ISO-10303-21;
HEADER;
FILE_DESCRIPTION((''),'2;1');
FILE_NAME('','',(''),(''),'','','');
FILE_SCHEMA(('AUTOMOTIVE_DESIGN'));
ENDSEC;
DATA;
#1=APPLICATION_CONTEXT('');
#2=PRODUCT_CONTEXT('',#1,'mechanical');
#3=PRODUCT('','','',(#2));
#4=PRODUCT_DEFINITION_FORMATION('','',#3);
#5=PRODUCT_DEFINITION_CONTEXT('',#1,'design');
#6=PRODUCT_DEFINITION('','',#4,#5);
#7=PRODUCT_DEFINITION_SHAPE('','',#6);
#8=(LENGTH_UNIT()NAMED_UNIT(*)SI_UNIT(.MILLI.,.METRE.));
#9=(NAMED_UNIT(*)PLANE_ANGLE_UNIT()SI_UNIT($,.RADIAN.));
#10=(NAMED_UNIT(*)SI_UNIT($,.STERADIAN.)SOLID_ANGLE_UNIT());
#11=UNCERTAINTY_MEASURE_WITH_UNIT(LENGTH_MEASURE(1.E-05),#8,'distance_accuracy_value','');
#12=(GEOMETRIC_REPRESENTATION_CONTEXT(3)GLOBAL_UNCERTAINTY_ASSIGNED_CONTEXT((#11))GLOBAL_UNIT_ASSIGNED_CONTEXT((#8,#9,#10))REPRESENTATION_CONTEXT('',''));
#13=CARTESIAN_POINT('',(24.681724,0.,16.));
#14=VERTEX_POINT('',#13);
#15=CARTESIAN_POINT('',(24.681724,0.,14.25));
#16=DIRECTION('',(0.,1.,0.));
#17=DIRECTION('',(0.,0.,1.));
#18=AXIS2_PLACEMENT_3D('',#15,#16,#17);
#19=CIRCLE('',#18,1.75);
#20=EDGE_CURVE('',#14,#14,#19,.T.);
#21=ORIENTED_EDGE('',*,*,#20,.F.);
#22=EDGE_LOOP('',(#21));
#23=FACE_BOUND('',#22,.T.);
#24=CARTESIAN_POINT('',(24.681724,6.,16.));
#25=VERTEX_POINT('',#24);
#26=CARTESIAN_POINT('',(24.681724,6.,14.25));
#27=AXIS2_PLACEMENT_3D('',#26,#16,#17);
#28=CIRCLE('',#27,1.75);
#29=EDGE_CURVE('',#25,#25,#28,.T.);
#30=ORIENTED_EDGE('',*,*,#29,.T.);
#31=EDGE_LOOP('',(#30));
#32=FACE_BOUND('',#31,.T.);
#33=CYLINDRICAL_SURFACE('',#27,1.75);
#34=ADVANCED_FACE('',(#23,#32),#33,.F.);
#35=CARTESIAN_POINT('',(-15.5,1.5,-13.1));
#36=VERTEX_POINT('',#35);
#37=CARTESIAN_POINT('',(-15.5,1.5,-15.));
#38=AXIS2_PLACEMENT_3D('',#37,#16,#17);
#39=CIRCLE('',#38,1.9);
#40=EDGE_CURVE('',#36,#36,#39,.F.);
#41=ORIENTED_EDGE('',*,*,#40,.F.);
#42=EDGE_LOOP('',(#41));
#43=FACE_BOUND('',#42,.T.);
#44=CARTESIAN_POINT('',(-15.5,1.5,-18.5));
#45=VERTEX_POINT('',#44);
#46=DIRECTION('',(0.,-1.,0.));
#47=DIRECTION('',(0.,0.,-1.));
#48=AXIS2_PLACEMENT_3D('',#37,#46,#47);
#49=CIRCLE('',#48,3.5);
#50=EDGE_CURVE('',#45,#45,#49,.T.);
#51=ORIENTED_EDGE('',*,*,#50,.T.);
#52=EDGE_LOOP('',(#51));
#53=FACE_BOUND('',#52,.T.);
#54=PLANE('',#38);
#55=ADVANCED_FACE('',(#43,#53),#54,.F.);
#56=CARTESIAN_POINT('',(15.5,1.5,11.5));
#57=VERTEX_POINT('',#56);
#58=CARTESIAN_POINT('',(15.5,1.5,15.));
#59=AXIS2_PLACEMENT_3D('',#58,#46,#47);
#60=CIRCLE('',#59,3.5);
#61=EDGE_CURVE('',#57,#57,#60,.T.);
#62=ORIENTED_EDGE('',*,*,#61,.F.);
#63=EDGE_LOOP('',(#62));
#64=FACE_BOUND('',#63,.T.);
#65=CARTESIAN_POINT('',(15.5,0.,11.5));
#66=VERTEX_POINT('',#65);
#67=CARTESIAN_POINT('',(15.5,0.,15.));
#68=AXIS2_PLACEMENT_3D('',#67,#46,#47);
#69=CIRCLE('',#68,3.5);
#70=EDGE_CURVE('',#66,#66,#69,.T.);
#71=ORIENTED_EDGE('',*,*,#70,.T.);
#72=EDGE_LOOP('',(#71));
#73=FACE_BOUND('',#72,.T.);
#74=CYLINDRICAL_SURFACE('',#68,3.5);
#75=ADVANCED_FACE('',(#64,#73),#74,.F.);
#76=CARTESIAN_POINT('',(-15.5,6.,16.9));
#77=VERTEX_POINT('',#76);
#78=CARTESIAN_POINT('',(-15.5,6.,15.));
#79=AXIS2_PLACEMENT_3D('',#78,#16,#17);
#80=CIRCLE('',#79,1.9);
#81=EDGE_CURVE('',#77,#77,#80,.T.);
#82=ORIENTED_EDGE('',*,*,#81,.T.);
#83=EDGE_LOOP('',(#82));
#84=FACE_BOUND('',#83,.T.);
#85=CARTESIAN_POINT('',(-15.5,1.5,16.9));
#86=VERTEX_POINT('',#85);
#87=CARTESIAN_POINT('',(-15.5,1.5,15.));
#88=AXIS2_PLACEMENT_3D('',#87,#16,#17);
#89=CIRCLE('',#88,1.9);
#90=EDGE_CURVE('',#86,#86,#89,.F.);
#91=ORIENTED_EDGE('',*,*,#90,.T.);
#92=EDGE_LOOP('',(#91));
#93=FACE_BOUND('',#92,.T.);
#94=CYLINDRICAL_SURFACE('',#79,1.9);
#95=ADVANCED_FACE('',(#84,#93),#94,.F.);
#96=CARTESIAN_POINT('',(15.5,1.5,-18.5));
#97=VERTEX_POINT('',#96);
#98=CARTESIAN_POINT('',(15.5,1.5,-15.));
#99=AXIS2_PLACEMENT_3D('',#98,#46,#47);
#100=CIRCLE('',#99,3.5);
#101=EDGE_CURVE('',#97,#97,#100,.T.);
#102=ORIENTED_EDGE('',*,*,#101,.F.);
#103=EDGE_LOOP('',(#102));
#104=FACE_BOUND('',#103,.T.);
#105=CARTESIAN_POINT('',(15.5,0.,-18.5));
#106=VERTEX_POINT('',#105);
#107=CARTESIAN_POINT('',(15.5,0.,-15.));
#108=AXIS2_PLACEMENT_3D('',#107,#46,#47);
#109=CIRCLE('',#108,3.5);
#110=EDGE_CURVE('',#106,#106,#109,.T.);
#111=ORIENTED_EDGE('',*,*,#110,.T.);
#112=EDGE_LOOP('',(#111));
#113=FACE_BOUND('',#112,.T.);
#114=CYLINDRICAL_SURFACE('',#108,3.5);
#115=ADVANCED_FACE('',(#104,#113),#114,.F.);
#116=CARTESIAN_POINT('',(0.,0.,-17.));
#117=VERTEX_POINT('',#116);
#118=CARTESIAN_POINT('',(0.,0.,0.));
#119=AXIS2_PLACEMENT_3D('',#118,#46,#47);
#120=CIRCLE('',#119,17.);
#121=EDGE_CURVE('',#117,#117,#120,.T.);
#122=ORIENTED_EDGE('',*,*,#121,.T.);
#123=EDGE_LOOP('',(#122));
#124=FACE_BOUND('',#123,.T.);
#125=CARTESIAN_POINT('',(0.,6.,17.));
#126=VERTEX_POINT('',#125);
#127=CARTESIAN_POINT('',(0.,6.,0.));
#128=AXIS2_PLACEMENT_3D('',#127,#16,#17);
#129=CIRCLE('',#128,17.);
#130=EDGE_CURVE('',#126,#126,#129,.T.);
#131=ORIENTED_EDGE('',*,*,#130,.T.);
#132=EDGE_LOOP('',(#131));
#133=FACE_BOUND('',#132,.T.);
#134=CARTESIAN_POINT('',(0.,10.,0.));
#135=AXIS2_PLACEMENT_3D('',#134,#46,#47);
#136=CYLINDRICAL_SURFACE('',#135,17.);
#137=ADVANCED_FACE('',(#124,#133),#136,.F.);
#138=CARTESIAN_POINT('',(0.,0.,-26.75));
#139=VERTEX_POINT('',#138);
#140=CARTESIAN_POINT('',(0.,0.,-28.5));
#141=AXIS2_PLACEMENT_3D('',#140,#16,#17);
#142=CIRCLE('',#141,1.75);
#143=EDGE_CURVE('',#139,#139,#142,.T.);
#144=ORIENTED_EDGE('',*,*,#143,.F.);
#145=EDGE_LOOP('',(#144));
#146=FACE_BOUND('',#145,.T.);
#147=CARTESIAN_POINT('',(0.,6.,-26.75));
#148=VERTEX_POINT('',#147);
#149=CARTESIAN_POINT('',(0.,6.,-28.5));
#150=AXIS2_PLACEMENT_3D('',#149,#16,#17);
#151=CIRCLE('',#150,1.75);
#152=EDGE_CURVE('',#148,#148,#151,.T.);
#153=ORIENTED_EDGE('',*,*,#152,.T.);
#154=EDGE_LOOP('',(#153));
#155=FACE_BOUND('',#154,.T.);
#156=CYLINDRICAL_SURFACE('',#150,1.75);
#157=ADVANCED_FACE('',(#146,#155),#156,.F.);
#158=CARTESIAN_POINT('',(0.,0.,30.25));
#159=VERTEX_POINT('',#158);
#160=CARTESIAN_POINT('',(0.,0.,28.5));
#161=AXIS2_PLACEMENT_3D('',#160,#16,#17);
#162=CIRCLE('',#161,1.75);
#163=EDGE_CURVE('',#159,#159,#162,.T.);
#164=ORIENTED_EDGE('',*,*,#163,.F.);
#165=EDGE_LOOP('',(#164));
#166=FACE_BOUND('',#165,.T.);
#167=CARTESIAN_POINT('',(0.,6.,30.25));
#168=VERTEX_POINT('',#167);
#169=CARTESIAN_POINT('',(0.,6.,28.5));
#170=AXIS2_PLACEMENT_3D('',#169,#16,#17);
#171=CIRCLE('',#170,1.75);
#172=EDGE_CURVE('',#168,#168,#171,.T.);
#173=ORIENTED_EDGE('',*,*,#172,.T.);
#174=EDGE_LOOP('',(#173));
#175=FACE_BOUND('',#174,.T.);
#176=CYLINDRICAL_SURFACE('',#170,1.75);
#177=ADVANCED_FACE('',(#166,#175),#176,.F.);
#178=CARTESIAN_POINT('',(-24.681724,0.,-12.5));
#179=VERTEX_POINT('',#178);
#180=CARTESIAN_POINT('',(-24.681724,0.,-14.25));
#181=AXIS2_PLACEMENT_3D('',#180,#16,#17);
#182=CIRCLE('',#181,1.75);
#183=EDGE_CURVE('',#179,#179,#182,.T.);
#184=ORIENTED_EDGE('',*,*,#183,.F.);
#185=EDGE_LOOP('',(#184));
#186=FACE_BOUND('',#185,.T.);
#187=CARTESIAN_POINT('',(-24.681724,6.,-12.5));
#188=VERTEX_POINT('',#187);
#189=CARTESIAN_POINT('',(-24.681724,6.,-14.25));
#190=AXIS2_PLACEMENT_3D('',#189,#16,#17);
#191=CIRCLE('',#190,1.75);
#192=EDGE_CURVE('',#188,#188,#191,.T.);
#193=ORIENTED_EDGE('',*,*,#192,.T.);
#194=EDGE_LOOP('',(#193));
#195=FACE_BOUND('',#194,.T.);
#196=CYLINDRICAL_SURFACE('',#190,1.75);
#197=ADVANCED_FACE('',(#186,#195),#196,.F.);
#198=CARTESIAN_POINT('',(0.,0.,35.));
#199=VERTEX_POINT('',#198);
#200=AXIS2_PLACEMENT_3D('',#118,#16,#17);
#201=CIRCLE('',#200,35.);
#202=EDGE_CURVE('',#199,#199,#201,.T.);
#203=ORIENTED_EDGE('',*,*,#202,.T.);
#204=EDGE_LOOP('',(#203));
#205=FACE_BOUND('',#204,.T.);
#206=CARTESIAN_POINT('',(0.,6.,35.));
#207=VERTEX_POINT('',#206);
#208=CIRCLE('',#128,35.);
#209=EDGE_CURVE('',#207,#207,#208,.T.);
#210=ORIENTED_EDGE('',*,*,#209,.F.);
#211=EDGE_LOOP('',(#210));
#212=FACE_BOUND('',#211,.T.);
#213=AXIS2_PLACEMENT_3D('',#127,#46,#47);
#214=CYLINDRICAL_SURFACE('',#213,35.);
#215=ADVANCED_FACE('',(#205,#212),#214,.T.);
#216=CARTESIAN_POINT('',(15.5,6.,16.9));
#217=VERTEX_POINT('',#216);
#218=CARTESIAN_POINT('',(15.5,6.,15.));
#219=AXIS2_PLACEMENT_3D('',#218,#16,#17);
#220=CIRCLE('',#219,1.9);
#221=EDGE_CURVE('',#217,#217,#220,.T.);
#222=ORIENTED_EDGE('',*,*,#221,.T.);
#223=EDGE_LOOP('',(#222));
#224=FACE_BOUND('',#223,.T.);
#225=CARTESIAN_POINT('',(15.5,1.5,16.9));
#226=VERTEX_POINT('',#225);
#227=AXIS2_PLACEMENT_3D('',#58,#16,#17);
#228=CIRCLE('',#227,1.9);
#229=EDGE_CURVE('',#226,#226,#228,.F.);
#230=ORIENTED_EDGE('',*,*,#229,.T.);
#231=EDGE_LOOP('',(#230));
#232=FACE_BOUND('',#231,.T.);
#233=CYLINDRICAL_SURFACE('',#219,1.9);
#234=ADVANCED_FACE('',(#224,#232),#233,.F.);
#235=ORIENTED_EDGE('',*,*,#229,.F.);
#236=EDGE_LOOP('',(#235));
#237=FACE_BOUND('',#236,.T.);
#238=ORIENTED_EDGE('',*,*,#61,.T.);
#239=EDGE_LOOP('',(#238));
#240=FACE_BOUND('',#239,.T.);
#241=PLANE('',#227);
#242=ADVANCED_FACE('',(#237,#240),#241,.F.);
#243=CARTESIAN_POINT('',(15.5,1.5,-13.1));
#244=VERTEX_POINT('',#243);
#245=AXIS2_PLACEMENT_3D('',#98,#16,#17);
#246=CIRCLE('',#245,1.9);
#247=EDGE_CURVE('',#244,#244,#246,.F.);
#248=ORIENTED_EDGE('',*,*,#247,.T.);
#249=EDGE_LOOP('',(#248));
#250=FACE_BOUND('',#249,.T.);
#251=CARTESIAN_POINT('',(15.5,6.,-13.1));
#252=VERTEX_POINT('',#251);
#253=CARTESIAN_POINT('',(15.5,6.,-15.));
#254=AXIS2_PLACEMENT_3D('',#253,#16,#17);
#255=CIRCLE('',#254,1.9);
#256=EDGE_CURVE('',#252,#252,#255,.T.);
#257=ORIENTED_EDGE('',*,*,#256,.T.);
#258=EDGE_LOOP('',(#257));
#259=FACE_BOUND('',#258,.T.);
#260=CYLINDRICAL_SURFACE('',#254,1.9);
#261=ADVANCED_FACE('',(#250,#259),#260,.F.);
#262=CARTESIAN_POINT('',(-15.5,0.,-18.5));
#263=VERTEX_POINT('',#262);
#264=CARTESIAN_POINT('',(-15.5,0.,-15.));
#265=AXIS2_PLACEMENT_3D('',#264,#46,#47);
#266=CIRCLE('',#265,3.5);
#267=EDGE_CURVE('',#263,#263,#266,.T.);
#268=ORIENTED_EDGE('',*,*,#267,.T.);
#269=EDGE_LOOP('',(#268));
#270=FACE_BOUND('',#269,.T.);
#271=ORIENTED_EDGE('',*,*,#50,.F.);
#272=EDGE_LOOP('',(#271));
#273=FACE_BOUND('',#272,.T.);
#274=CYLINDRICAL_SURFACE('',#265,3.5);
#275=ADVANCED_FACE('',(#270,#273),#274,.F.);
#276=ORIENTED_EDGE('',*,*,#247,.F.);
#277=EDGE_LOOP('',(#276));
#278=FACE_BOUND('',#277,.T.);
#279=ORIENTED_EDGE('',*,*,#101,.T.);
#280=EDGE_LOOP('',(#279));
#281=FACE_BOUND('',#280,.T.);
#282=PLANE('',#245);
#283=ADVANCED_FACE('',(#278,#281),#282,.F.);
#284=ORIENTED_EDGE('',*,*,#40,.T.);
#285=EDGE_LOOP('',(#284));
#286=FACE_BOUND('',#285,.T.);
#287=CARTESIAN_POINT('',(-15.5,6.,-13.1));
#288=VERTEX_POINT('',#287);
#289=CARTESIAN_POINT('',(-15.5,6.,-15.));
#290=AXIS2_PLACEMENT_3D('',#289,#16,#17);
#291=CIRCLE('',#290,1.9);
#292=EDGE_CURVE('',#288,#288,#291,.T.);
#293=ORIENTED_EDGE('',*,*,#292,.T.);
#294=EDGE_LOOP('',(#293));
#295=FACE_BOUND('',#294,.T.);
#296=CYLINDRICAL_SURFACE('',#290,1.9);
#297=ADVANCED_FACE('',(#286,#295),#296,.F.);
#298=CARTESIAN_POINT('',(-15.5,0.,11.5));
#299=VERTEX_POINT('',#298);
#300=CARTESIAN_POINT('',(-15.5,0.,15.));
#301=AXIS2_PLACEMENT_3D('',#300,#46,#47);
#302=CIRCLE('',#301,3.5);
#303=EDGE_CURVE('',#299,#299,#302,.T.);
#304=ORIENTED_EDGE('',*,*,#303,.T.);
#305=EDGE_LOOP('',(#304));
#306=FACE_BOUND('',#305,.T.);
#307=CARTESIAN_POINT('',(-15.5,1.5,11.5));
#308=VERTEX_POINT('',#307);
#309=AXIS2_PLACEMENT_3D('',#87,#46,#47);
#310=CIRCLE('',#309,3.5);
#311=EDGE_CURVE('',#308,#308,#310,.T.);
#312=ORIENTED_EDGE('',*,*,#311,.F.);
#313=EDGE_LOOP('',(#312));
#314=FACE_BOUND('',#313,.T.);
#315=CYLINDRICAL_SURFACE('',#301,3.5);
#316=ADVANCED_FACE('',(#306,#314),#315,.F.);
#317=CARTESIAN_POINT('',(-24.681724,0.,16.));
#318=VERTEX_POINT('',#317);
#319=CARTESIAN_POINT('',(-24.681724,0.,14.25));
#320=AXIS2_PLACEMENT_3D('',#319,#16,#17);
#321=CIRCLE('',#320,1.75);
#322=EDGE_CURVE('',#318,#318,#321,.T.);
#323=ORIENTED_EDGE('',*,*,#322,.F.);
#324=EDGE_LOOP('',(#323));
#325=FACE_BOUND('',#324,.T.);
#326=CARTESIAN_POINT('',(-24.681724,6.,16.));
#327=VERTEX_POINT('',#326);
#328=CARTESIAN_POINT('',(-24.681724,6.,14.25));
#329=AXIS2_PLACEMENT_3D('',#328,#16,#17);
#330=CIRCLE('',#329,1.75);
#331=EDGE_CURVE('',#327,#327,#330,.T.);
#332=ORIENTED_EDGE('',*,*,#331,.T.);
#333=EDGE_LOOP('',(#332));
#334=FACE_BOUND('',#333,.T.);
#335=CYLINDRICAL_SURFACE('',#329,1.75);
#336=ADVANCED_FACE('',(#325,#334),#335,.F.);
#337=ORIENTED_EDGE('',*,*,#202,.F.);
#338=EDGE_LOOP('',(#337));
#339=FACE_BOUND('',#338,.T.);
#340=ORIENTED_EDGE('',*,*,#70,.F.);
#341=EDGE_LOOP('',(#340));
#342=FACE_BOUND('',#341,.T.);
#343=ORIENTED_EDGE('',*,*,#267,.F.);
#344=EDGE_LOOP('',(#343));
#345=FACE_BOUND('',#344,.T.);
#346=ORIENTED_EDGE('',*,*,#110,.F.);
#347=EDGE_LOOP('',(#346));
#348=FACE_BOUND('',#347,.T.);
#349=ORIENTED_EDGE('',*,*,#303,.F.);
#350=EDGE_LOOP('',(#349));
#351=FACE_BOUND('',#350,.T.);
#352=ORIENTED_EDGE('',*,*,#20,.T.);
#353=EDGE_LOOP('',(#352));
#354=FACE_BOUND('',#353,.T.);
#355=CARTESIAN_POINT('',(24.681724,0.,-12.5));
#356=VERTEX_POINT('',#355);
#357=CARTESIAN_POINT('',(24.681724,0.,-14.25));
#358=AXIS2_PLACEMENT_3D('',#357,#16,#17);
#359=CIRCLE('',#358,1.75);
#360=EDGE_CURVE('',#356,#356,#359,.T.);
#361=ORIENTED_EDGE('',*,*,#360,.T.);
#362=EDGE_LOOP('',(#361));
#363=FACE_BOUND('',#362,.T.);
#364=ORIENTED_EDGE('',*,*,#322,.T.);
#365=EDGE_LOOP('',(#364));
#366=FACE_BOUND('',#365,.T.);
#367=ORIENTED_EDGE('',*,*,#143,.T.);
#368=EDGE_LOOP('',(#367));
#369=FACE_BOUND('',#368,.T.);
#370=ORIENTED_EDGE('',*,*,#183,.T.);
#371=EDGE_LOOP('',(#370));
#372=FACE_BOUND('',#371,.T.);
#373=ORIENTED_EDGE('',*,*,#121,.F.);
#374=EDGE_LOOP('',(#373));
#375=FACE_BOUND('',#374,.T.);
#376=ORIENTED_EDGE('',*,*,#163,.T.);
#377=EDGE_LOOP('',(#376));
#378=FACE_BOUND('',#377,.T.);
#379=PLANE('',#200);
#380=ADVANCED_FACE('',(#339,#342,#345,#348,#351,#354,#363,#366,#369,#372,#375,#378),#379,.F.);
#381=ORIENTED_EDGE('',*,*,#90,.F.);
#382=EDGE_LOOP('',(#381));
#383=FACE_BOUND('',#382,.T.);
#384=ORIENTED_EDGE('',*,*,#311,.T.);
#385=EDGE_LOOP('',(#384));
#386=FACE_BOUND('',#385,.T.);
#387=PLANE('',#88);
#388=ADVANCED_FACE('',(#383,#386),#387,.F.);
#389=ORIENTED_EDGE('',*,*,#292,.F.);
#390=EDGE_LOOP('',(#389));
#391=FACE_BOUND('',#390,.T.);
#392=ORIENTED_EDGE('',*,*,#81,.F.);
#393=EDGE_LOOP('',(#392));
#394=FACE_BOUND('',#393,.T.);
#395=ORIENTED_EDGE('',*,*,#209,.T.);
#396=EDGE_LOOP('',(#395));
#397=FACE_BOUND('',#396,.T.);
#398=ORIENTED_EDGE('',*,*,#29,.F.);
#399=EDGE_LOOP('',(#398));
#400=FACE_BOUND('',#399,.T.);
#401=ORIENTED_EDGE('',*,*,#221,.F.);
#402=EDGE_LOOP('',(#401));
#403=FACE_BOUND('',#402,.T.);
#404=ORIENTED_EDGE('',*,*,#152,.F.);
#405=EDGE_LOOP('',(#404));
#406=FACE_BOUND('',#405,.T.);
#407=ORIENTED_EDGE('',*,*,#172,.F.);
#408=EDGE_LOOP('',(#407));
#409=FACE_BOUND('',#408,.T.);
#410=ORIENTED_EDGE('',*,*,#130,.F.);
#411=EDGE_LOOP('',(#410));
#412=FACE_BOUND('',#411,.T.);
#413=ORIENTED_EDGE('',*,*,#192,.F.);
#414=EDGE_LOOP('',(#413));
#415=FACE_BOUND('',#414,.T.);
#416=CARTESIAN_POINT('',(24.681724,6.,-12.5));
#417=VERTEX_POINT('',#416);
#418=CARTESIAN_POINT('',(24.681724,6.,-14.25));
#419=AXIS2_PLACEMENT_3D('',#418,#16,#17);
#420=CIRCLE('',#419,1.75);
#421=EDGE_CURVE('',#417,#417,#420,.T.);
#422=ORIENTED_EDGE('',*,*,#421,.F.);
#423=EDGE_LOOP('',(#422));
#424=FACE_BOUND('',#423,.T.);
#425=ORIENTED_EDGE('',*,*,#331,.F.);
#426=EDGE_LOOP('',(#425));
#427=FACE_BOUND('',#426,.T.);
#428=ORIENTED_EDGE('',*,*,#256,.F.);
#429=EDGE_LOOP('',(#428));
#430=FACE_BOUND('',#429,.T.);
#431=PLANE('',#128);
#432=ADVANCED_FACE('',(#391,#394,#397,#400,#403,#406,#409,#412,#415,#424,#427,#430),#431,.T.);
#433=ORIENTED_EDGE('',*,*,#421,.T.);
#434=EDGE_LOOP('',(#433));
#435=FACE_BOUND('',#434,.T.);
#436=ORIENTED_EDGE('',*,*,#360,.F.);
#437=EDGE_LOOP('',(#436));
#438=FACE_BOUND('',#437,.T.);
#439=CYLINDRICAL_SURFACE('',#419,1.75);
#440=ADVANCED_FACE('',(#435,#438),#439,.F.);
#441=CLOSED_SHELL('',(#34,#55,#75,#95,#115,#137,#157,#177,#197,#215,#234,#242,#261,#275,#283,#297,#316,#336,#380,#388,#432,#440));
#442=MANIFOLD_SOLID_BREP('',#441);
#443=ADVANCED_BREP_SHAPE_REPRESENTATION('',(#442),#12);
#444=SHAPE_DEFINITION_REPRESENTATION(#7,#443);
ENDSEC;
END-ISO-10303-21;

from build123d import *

# Parameters (mm, degrees)
SKETCH_1_R               = 35
EXTRUDE_1_DEPTH          = 6
HOLE_WIZARD_1_D          = 3.5
PATTERN_CIRCULAR_1_COUNT = 6
HOLE_WIZARD_2_D          = 3.8
SKETCH_8_R               = 11
CUT_EXTRUDE_1_DEPTH      = 10
HOLE_WIZARD_3_D          = 7
HOLE_WIZARD_3_DEPTH      = 1.5
SKETCH_13_R              = 17
CUT_EXTRUDE_2_DEPTH      = 10


with BuildPart() as part:
    # 草图1 → 凸台-拉伸1 (new body)
    with BuildSketch(Plane(origin=(0, 0, 0), x_dir=(1, 0, 0), z_dir=(0, 1, 0))):
        with Locations(Location((0, 0, 0), (0, 0, 270))):
            Circle(SKETCH_1_R)
    extrude(amount=EXTRUDE_1_DEPTH)

    # 孔1 (through all)
    with Locations(Plane(origin=(0, 6, 0), x_dir=(1, 0, 0), z_dir=(0, 1, 0))):
        with Locations((0, 28.5)):
            hole_wizard_1 = Hole(HOLE_WIZARD_1_D / 2)

    # 阵列(圆周)1: 孔1 ×6 about axis
    pattern_circular_1_axis = Axis((0, 0, 0), (0, 1, 0))
    for i in range(1, PATTERN_CIRCULAR_1_COUNT):
        add(hole_wizard_1.rotate(pattern_circular_1_axis, i * 360 / PATTERN_CIRCULAR_1_COUNT), mode=Mode.SUBTRACT)

    # 孔2 (through all)
    with Locations(Plane(origin=(0, 6, 0), x_dir=(1, 0, 0), z_dir=(0, 1, 0))):
        with Locations((-15.5, 15), (15.5, 15), (15.5, -15), (-15.5, -15)):
            Hole(HOLE_WIZARD_2_D / 2)

    # 草图8 → 切除-拉伸1 (cut)
    with BuildSketch(Plane(origin=(0, 6, 0), x_dir=(1, 0, 0), z_dir=(0, 1, 0))):
        with Locations(Location((0, 0, 0), (0, 0, 270))):
            Circle(SKETCH_8_R)
    extrude(amount=-CUT_EXTRUDE_1_DEPTH, mode=Mode.SUBTRACT)

    # 孔3
    with Locations(Plane(origin=(0, 0, 0), x_dir=(-1, 0, 0), z_dir=(0, -1, 0))):
        with Locations((-15.5, 15), (15.5, 15), (15.5, -15), (-15.5, -15)):
            Hole(HOLE_WIZARD_3_D / 2, depth=HOLE_WIZARD_3_DEPTH)

    # 草图13 → 切除-拉伸2 (cut)
    with BuildSketch(Plane.XZ):
        with Locations(Location((0, 0, 0), (0, 0, 270))):
            Circle(SKETCH_13_R)
    extrude(amount=-CUT_EXTRUDE_2_DEPTH, mode=Mode.SUBTRACT)


solid = part.part
